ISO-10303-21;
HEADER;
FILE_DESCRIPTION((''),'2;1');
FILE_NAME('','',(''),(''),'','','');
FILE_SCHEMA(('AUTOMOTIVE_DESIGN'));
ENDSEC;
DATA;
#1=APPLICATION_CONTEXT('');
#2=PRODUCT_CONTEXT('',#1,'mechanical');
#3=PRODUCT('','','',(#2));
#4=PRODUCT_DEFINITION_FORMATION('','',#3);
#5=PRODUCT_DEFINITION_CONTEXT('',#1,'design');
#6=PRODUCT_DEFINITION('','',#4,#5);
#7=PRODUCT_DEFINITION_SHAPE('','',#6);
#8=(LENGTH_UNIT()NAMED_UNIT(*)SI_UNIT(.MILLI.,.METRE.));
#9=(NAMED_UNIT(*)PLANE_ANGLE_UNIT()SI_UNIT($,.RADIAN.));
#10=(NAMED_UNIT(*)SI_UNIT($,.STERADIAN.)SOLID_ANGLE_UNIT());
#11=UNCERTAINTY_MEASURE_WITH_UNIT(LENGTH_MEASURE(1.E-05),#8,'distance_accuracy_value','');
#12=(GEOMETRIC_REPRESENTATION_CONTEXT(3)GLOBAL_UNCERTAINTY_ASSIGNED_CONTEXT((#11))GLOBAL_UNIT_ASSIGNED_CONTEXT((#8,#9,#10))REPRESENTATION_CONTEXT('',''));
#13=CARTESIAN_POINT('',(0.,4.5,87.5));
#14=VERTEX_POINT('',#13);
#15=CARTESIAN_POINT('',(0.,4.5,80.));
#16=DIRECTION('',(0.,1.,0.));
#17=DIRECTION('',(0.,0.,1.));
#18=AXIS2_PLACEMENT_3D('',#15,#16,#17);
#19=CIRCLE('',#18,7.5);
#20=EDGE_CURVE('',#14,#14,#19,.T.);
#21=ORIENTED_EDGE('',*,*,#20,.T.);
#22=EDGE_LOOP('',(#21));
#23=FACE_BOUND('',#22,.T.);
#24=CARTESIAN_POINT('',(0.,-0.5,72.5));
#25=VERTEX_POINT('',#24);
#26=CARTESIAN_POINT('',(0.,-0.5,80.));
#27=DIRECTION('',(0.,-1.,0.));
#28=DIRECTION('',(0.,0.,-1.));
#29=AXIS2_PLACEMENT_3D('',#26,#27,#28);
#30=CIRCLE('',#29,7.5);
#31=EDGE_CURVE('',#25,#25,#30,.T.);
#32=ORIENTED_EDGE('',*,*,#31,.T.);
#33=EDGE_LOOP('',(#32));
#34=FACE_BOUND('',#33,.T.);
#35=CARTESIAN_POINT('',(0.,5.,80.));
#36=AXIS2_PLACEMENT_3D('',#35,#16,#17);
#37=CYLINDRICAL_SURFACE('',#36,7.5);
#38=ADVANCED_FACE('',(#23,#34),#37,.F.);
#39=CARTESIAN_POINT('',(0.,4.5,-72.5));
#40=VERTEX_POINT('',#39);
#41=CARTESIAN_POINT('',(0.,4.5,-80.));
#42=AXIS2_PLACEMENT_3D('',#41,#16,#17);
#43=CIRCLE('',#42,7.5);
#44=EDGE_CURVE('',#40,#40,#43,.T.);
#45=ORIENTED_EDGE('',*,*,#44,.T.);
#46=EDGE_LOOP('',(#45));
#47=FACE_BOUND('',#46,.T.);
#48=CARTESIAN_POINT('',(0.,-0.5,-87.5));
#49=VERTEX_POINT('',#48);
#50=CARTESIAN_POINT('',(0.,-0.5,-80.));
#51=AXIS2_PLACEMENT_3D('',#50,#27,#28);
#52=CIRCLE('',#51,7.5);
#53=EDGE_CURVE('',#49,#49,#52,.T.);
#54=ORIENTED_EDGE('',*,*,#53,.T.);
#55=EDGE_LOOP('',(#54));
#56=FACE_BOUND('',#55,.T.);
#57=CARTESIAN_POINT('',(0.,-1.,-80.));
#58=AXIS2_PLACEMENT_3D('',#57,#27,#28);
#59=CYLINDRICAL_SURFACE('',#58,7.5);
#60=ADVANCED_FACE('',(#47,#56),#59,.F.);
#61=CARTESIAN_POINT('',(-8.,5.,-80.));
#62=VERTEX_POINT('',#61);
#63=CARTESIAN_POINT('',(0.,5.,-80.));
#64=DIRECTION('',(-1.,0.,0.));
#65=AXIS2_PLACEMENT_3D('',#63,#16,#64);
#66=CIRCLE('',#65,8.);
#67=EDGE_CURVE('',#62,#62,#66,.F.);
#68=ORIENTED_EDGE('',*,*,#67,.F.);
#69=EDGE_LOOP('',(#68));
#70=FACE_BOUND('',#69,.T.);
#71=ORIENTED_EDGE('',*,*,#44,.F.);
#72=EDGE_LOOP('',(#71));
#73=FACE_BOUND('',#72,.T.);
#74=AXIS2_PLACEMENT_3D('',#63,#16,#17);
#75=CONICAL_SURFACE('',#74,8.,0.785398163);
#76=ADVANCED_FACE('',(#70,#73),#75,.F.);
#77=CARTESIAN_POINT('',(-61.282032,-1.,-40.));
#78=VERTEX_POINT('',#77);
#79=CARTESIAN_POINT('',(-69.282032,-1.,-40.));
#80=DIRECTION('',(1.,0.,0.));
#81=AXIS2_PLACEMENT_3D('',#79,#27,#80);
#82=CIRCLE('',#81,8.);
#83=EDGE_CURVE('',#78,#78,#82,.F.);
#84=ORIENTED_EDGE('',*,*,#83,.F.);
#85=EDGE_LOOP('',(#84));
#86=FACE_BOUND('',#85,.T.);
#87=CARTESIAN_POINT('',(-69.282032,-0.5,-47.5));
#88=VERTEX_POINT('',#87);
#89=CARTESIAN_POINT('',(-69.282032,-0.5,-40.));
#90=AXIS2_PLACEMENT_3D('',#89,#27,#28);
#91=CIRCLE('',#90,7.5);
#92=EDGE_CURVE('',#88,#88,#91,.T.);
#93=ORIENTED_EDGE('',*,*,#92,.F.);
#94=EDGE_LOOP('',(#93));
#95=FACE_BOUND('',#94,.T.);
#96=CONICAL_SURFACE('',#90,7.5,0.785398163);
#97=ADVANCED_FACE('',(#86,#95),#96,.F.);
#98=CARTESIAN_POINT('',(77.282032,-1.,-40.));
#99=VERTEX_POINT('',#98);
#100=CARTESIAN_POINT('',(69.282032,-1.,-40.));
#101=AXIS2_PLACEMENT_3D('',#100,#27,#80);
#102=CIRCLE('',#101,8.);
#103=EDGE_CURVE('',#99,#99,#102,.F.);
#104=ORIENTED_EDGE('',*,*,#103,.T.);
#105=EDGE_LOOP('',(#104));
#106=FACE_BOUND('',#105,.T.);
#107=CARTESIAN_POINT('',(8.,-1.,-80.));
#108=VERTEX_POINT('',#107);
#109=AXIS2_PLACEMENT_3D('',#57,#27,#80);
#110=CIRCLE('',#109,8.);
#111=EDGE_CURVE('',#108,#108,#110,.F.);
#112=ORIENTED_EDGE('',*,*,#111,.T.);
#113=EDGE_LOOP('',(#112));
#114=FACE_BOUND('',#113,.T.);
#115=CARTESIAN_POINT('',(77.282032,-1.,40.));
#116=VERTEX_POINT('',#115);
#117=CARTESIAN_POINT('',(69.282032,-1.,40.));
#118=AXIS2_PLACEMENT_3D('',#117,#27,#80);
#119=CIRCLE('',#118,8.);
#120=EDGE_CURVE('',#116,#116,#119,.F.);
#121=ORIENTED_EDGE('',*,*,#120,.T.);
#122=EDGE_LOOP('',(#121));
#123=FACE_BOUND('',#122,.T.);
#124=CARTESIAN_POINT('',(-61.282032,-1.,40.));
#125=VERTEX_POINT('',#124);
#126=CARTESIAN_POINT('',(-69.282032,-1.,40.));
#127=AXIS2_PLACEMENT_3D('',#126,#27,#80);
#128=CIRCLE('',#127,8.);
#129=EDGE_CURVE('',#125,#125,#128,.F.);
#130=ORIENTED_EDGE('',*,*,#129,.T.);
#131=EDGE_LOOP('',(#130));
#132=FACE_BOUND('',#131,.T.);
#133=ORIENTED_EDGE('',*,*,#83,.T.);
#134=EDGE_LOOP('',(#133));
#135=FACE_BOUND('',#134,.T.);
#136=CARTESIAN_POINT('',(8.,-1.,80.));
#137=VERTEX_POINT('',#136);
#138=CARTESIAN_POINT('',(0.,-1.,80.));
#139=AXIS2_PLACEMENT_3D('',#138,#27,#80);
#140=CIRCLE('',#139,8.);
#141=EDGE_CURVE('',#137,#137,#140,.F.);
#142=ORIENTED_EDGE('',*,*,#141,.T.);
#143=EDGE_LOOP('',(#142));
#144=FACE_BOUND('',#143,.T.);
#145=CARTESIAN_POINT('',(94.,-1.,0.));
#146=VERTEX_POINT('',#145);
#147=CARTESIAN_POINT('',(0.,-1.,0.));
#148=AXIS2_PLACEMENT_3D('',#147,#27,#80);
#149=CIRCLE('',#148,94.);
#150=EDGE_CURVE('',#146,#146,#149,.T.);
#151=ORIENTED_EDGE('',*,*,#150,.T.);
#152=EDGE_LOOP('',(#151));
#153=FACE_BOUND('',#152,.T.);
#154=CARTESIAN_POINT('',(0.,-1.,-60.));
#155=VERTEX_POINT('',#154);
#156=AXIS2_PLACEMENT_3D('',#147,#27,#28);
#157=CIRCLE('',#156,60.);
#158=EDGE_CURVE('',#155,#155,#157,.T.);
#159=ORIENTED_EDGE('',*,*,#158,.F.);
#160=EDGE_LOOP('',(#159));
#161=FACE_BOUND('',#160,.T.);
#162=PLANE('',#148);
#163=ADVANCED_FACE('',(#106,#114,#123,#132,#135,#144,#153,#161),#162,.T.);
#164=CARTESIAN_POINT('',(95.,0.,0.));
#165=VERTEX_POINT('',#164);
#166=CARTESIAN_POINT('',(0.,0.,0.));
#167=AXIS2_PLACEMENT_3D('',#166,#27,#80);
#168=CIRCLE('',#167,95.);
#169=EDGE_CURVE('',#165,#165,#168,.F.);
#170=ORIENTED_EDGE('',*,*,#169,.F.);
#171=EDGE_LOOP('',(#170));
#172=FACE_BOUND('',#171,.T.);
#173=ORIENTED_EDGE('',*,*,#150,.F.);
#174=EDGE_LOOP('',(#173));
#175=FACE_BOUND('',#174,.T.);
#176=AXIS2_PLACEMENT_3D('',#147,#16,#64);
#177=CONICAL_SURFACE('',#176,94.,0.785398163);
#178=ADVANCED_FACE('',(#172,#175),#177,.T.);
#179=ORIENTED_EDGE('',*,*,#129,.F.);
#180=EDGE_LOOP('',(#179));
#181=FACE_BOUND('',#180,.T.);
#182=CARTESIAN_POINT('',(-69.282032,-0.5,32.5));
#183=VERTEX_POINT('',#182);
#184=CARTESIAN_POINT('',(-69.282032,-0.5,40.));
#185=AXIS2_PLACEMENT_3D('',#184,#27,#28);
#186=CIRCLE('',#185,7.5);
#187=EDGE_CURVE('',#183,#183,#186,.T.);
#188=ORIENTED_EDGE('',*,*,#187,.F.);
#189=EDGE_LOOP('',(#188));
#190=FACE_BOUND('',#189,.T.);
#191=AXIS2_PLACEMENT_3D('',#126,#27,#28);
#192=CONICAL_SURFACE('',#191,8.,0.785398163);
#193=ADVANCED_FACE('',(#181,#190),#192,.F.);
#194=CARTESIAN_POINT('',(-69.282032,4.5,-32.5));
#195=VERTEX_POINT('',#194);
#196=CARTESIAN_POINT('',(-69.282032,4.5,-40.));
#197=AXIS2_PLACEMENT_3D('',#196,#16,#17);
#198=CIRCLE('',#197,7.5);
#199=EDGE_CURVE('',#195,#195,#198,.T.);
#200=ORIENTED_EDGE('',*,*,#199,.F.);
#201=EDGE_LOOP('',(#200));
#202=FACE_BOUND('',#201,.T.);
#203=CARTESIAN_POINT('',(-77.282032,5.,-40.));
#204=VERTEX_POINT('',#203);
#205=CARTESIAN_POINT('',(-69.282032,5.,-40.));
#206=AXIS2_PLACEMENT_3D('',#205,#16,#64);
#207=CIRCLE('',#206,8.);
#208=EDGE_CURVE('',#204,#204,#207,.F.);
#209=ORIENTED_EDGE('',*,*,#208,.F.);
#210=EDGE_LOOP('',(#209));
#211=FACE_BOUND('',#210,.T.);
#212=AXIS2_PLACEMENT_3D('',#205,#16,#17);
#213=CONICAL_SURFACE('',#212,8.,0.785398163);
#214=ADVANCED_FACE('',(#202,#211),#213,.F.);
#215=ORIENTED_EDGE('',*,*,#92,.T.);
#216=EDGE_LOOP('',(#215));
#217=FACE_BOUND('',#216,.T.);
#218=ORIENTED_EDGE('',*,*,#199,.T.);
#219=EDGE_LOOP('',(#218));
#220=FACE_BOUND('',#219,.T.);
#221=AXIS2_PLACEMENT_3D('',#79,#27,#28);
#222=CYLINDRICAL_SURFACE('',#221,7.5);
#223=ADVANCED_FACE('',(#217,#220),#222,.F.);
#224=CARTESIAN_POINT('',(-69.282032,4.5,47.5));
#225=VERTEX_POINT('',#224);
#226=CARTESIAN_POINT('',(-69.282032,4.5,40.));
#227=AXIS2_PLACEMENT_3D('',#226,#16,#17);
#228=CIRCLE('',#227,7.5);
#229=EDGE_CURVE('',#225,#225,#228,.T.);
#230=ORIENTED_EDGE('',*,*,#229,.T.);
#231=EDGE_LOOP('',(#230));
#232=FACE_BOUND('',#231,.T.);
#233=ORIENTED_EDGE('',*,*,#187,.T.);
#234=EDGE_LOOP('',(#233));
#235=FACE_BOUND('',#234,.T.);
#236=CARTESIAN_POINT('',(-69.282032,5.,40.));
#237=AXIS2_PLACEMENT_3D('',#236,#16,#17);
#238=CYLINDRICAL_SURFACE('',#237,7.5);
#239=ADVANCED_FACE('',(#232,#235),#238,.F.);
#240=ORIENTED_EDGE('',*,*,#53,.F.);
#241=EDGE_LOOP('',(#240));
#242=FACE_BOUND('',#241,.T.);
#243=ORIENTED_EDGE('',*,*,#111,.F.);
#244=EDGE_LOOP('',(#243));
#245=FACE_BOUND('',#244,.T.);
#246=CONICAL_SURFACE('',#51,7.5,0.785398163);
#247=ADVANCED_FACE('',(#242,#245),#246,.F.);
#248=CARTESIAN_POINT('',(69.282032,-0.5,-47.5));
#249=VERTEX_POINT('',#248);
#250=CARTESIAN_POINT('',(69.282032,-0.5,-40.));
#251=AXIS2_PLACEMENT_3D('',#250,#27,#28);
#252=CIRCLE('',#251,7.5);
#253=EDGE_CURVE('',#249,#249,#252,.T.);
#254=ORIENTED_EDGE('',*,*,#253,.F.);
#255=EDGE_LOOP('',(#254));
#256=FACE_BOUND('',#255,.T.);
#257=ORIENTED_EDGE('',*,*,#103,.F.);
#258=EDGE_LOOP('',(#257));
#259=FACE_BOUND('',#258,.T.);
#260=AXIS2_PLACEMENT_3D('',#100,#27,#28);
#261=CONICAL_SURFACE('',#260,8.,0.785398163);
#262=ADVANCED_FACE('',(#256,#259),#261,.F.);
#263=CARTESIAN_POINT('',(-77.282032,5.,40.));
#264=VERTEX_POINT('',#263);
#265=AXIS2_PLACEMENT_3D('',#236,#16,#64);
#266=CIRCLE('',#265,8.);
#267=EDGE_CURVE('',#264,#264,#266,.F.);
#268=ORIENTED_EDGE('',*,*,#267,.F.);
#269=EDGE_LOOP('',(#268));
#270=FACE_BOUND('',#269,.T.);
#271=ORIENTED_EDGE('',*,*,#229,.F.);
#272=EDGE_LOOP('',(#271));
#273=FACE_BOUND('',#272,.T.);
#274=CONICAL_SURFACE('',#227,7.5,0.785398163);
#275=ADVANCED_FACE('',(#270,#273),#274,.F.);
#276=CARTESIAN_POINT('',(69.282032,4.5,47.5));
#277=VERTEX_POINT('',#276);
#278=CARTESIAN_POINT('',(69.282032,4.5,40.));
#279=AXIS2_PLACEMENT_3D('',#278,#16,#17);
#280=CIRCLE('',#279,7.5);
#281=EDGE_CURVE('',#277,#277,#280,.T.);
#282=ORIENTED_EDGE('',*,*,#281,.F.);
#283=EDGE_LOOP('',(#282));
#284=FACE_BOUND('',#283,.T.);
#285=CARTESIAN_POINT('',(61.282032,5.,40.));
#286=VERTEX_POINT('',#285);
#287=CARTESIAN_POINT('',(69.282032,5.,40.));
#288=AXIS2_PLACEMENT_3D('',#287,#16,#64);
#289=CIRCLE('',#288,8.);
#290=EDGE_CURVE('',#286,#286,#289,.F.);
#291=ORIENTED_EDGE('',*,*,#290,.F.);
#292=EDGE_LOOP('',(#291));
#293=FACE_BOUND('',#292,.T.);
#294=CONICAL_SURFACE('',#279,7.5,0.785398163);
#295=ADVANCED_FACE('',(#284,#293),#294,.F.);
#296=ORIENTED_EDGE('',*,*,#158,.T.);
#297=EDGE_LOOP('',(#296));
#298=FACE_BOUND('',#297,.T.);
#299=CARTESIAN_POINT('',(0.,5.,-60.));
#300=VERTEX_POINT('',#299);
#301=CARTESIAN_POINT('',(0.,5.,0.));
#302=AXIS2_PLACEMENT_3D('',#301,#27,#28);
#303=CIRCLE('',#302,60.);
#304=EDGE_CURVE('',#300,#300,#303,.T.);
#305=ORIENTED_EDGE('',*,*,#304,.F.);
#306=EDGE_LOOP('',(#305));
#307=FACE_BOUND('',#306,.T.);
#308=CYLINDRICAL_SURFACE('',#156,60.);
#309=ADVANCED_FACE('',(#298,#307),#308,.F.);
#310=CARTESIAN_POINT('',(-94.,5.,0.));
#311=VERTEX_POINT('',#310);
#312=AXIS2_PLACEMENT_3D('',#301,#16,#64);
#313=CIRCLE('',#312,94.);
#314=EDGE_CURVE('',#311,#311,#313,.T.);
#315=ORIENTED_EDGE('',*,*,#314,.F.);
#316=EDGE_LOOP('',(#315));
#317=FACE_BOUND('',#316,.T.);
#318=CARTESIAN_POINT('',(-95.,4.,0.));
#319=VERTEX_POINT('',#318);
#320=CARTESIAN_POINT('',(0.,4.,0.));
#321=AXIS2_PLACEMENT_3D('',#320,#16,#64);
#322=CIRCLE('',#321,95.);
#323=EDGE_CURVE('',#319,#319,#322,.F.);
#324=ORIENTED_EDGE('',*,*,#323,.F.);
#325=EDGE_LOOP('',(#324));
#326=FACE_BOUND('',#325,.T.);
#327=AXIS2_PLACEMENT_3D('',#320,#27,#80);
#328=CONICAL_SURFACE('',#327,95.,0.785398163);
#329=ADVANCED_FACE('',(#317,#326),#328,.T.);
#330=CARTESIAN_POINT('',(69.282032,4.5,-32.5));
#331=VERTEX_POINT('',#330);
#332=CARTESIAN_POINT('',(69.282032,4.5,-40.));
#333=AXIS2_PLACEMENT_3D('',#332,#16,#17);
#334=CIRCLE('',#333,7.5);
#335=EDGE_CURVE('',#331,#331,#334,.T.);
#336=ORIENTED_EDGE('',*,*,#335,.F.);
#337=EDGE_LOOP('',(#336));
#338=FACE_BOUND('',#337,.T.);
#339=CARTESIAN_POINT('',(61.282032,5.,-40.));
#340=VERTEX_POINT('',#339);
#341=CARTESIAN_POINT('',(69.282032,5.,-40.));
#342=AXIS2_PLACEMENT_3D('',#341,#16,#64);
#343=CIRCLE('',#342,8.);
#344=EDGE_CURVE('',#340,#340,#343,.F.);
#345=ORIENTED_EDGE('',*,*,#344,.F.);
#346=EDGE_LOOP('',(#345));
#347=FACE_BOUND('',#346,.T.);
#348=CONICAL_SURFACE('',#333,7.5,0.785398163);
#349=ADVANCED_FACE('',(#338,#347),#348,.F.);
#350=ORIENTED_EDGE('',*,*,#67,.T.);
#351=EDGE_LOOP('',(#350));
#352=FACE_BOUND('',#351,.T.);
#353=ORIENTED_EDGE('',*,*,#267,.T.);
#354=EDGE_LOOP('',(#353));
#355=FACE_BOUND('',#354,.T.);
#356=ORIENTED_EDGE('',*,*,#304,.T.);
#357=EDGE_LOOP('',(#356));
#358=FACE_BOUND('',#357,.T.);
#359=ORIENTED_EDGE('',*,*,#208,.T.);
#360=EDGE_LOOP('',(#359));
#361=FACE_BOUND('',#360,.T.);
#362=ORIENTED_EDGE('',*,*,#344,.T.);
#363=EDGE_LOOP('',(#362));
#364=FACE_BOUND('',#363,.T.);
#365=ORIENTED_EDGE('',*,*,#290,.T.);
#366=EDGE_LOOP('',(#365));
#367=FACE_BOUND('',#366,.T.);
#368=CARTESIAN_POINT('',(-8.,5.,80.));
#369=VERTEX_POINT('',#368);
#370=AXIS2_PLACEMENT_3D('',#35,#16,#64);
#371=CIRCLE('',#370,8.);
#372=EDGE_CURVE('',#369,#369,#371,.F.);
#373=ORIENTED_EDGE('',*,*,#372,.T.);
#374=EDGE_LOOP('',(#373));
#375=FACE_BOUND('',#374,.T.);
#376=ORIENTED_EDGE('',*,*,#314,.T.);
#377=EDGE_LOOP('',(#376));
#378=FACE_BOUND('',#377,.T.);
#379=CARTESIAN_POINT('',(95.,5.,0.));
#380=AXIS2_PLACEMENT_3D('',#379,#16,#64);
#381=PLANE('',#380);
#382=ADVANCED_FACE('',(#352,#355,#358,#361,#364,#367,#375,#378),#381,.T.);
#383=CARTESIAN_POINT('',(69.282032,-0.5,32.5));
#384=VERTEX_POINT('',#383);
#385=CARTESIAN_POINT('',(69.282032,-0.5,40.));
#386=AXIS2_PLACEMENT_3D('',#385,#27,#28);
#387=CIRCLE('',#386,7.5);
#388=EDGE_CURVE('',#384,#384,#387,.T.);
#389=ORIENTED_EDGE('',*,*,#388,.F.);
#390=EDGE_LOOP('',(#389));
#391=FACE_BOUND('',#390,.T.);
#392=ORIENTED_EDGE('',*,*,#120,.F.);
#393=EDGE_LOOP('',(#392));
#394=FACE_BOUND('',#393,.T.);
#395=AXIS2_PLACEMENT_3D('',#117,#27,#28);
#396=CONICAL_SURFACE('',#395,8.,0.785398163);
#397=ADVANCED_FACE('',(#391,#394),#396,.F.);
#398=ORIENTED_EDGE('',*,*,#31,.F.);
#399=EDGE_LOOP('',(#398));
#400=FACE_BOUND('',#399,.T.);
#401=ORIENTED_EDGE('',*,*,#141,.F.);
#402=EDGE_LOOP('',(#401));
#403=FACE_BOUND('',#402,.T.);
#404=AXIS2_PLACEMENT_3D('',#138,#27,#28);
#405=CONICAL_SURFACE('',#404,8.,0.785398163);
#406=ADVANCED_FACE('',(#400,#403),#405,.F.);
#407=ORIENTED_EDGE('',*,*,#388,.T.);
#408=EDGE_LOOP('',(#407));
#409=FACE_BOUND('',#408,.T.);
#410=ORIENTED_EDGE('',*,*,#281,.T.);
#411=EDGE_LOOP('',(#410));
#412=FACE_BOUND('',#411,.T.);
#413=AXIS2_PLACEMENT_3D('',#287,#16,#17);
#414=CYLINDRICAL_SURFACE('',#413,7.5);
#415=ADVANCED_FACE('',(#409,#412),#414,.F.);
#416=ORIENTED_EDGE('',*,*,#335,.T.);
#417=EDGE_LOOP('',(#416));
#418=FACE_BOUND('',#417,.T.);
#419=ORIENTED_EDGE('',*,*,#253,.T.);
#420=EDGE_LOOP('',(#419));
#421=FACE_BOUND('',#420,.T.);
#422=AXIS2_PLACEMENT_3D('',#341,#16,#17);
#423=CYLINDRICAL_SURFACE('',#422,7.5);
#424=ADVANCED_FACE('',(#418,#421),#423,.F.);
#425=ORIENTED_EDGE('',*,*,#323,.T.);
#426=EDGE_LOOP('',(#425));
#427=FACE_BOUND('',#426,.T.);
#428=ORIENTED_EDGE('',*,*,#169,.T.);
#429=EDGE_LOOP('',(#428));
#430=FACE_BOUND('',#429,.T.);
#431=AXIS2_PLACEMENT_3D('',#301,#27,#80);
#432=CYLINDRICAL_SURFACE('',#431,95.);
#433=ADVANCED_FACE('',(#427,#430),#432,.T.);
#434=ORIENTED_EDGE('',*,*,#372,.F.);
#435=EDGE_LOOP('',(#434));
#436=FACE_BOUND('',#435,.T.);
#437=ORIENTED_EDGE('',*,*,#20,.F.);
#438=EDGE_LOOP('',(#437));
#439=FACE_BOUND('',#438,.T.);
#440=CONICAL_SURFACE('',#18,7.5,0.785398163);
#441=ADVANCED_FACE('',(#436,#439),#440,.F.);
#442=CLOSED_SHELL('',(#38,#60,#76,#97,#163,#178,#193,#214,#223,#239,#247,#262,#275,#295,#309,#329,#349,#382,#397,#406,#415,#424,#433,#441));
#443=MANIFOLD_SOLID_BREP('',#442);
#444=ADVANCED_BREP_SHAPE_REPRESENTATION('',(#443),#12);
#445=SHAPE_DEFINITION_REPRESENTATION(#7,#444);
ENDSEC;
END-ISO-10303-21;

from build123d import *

# Parameters (mm, degrees)
SKETCH1_W                = 95
SKETCH1_H                = 6
HOLE1_D                  = 120
F_9_16_CLEARANCE_HOLE1_D = 15
F_9_16_CLEARANCE_HOLE2_D = 15
CHAMFER1_SIZE            = 0.5
CHAMFER2_SIZE            = 1


with BuildPart() as part:
    # Sketch1 → Revolve1 (revolve)
    with BuildSketch(Plane.XY):
        with Locations((47.5, 2)):
            Rectangle(SKETCH1_W, SKETCH1_H)
    revolve(axis=Axis((0, 5, 0), (0, -1, 0)))

    # Hole1 (through all)
    with Locations(Plane(origin=(0, -1, 0), x_dir=(-1, 0, 0), z_dir=(0, -1, 0))):
        with Locations((0, 0)):
            Hole(HOLE1_D / 2)

    # 9/16 Clearance Hole1 (through all)
    with Locations(Plane(origin=(0, -1, 0), x_dir=(-1, 0, 0), z_dir=(0, -1, 0))):
        with Locations((69.282032303, 40), (0, 80)):
            Hole(F_9_16_CLEARANCE_HOLE1_D / 2)

    # 9/16 Clearance Hole2 (through all)
    with Locations(Plane(origin=(0, 5, 0), x_dir=(1, 0, 0), z_dir=(0, 1, 0))):
        with Locations((-69.282032303, -40), (69.282032303, 40), (69.282032303, -40), (0, -80)):
            Hole(F_9_16_CLEARANCE_HOLE2_D / 2)

    # Chamfer1
    chamfer1_edges = [part.edges().sort_by_distance(p)[0] for p in [
        (-7.5, -1, -80),
        (-7.5, 5, -80),
        (-76.782032303, -1, -40),
        (-76.782032303, 5, -40),
        (7.5, 5, 80),
        (7.5, -1, 80),
        (76.782032303, 5, 40),
        (76.782032303, -1, 40),
        (76.782032303, 5, -40),
        (76.782032303, -1, -40),
        (-61.782032303, 5, 40),
        (-61.782032303, -1, 40),
    ]]
    chamfer(chamfer1_edges, length=CHAMFER1_SIZE)

    # Chamfer2
    chamfer2_edges = [part.edges().sort_by_distance(p)[0] for p in [
        (-95, -1, 0),
        (-95, 5, 0),
    ]]
    chamfer(chamfer2_edges, length=CHAMFER2_SIZE)


solid = part.part
